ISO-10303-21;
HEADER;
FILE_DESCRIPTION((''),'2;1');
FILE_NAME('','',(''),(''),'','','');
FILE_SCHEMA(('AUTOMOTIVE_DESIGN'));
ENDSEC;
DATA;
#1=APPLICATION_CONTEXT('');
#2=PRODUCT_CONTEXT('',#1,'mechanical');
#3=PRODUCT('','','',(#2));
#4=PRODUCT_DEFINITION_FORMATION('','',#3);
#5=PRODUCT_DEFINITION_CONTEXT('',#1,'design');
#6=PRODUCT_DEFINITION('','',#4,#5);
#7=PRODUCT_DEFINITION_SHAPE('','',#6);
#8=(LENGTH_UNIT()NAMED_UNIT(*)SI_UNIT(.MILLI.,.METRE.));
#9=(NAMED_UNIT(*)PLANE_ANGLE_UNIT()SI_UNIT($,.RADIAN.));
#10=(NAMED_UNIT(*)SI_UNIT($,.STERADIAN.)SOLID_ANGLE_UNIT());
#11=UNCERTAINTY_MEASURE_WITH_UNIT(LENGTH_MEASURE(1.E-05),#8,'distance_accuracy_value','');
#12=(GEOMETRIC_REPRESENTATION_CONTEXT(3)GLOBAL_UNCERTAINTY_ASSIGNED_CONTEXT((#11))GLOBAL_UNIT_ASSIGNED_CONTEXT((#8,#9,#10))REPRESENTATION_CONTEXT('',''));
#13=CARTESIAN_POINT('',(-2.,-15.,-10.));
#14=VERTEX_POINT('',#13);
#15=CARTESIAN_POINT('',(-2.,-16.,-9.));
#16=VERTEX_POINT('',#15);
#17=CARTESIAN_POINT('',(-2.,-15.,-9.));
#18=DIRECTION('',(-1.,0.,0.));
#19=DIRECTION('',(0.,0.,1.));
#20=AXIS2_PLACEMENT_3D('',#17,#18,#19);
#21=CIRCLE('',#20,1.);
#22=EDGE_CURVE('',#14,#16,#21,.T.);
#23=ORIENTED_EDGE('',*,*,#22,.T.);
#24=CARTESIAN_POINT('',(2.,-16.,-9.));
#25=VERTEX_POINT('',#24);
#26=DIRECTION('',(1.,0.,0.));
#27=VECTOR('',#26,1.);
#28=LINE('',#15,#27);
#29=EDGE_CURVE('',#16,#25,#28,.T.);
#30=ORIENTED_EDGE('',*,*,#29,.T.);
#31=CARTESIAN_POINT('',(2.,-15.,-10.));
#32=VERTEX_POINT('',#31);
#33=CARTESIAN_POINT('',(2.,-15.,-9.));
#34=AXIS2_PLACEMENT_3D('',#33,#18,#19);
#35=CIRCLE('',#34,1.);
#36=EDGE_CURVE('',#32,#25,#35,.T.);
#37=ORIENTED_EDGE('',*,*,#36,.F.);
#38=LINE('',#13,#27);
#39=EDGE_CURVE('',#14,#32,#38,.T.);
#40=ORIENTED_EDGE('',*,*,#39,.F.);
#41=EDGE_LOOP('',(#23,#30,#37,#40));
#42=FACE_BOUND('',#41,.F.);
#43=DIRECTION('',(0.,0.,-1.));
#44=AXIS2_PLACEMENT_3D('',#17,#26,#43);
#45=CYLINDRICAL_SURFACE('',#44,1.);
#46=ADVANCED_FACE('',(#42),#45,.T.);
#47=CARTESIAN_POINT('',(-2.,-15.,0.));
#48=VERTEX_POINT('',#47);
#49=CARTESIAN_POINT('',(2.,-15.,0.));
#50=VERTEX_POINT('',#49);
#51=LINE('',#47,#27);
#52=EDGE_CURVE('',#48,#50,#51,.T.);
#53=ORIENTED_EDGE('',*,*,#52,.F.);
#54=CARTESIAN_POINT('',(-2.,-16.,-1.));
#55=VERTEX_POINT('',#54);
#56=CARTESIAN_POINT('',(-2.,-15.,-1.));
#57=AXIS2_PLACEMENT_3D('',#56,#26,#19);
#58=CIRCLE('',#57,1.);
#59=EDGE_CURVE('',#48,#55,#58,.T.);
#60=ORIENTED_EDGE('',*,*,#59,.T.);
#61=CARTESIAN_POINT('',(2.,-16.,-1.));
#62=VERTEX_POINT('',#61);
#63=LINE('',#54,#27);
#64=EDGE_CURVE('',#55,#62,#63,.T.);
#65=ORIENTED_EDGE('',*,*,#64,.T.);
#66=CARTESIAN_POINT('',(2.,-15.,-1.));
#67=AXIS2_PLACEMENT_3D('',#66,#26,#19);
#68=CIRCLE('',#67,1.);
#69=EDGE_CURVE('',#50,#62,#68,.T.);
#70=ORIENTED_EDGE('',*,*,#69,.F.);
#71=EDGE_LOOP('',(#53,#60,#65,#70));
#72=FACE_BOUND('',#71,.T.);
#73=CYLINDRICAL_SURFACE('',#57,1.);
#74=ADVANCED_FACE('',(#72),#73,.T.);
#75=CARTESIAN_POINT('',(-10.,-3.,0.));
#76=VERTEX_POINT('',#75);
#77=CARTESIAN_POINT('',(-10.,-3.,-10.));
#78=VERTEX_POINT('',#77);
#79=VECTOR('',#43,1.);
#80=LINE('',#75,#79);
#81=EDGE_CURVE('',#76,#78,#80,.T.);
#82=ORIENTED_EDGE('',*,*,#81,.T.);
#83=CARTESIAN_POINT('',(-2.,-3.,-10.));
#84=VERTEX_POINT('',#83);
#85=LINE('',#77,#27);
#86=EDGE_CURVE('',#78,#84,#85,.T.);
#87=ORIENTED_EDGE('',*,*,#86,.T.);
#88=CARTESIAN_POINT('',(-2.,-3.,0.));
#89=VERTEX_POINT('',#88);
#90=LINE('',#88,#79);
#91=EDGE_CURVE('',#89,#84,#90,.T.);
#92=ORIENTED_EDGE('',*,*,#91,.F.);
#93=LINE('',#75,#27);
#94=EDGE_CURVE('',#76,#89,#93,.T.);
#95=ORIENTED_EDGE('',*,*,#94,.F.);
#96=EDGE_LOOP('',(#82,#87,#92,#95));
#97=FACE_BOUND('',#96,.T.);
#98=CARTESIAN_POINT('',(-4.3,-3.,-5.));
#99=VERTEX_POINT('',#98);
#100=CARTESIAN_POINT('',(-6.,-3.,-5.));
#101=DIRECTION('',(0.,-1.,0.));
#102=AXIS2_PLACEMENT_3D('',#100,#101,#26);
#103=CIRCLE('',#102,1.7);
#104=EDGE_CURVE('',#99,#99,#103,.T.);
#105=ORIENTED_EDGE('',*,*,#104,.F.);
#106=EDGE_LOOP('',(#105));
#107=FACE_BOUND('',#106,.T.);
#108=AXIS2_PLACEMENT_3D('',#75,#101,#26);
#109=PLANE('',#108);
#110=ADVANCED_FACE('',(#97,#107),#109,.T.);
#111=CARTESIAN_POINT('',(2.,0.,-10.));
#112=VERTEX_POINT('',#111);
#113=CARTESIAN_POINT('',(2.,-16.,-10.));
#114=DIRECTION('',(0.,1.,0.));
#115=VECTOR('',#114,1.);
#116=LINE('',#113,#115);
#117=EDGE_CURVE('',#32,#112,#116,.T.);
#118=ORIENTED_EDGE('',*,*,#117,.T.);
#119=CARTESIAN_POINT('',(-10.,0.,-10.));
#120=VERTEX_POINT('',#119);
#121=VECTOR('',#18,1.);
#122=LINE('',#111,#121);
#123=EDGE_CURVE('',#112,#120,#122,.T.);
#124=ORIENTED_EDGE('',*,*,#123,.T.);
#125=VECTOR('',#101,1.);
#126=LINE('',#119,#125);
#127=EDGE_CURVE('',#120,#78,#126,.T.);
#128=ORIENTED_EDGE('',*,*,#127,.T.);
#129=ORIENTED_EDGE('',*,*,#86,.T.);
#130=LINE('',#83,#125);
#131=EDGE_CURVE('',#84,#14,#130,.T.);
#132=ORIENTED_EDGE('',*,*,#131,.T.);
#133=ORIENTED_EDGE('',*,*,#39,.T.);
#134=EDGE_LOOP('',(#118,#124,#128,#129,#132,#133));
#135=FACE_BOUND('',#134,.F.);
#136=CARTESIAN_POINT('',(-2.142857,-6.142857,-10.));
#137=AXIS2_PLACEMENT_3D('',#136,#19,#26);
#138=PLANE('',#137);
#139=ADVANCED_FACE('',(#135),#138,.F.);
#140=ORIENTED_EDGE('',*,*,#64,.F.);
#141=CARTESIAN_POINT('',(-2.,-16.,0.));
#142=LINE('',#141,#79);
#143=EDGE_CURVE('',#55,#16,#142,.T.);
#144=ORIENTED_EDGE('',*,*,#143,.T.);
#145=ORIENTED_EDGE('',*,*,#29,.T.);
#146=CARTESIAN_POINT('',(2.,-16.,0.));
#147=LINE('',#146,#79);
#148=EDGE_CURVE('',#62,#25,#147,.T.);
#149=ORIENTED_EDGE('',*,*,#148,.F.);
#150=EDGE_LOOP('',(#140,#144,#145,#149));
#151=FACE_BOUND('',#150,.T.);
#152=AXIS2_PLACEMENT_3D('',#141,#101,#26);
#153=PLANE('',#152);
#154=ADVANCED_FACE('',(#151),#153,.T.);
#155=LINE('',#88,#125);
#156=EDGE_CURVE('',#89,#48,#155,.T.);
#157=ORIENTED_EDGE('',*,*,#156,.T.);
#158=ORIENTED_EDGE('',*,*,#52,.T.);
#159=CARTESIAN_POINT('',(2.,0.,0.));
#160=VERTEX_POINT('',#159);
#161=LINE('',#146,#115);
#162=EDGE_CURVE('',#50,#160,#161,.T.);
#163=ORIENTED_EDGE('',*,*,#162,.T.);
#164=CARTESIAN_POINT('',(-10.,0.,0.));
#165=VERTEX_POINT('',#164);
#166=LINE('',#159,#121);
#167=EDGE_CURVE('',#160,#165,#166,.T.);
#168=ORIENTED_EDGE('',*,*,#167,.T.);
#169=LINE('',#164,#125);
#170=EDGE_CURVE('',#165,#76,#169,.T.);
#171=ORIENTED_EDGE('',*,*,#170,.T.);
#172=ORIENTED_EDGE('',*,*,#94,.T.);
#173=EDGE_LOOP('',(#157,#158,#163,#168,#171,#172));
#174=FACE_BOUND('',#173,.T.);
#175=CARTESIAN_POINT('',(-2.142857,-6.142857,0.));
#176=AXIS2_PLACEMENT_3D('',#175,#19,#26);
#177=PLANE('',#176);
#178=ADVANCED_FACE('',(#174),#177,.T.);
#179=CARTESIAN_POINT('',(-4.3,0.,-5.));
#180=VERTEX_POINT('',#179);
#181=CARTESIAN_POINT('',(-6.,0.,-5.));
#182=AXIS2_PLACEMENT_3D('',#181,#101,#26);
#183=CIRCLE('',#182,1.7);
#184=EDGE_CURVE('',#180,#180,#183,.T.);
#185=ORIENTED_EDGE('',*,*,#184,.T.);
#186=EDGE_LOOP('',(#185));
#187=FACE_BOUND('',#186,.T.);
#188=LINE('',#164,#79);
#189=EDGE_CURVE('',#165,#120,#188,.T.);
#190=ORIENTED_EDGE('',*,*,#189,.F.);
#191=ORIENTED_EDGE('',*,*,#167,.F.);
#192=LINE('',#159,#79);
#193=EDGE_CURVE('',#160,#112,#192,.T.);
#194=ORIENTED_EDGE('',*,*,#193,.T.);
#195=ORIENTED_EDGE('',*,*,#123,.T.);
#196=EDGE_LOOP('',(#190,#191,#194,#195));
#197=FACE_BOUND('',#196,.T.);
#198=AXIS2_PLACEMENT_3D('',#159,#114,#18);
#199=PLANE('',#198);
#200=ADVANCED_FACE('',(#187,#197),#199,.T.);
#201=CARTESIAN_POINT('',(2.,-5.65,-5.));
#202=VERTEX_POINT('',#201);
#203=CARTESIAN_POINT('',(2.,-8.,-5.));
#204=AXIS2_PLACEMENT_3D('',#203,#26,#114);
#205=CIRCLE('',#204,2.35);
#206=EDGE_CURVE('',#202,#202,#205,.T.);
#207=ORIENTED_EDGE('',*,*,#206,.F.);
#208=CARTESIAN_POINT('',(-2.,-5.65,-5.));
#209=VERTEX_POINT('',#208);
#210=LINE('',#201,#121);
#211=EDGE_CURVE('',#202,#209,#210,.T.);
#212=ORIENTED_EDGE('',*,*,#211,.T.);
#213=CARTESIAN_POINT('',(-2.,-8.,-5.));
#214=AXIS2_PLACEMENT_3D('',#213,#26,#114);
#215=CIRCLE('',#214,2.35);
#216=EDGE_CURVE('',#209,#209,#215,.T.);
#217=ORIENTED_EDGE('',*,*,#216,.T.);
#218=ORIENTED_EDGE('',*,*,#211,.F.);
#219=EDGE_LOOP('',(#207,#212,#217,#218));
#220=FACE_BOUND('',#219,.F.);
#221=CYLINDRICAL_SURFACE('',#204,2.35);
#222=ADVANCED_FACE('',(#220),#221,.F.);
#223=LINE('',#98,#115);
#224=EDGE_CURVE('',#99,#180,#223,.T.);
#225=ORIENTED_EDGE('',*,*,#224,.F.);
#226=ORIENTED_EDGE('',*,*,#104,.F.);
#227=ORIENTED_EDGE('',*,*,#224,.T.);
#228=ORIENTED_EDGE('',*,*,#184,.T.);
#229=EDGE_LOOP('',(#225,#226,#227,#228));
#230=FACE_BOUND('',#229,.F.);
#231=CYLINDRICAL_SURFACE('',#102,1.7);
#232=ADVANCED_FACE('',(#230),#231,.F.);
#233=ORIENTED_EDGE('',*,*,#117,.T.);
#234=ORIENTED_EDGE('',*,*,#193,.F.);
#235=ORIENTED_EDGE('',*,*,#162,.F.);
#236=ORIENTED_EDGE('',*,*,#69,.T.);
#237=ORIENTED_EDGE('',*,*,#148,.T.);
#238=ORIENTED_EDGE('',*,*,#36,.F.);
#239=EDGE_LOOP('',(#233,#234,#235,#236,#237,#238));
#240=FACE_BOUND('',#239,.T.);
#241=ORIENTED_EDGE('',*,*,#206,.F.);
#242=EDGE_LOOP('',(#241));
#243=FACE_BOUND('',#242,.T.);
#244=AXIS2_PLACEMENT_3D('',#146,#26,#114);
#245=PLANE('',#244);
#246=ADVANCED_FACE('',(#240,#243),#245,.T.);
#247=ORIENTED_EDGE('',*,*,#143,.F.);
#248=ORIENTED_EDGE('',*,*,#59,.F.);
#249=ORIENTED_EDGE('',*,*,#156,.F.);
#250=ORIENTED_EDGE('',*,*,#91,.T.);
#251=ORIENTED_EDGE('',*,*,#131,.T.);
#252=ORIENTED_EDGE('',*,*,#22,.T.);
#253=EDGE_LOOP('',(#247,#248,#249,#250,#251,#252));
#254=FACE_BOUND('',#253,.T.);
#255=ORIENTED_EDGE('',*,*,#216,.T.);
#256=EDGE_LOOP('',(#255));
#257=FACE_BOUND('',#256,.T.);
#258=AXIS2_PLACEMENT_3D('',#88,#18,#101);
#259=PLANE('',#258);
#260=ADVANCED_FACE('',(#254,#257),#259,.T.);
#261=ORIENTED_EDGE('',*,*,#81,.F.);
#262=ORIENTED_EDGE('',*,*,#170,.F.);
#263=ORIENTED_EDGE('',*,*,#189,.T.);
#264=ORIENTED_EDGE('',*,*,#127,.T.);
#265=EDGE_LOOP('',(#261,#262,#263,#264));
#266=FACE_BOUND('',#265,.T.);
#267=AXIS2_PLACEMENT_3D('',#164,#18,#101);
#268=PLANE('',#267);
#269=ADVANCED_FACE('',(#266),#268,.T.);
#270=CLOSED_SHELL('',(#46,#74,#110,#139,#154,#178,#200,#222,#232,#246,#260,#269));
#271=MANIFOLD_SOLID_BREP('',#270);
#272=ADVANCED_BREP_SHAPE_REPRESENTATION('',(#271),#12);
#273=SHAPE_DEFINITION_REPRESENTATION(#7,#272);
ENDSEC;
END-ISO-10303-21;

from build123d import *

# Parameters (mm, degrees)
PAD001_DEPTH = 10
SKETCH002_R  = 1.7
HOLE_DEPTH   = 25
SKETCH003_R  = 2.35
POCKET_DEPTH = 5
FILLET_R     = 1


with BuildPart() as part:
    # Sketch001 → Pad001 (new body)
    with BuildSketch(Plane.XY):
        Polygon((-10, 0), (-10, -3), (-2, -3), (-2, -16), (2, -16), (2, 0), align=None)
    extrude(amount=-PAD001_DEPTH)

    # Sketch002 (on Face2 of Pad001) → Hole (cut)
    with BuildSketch(Plane.XZ.offset(3)):
        with Locations((-6, -5)):
            Circle(SKETCH002_R)
    extrude(amount=-HOLE_DEPTH, mode=Mode.SUBTRACT)

    # Sketch003 (on Face6 of Hole) → Pocket (cut)
    with BuildSketch(Plane.YZ.offset(2)):
        with Locations((-8, -5)):
            Circle(SKETCH003_R)
    extrude(amount=-POCKET_DEPTH, mode=Mode.SUBTRACT)

    # Fillet
    fillet_edges = [part.edges().sort_by_distance(p)[0] for p in [
        (0, -16, 0),
        (0, -16, -10),
    ]]
    fillet(fillet_edges, radius=FILLET_R)


solid = part.part
